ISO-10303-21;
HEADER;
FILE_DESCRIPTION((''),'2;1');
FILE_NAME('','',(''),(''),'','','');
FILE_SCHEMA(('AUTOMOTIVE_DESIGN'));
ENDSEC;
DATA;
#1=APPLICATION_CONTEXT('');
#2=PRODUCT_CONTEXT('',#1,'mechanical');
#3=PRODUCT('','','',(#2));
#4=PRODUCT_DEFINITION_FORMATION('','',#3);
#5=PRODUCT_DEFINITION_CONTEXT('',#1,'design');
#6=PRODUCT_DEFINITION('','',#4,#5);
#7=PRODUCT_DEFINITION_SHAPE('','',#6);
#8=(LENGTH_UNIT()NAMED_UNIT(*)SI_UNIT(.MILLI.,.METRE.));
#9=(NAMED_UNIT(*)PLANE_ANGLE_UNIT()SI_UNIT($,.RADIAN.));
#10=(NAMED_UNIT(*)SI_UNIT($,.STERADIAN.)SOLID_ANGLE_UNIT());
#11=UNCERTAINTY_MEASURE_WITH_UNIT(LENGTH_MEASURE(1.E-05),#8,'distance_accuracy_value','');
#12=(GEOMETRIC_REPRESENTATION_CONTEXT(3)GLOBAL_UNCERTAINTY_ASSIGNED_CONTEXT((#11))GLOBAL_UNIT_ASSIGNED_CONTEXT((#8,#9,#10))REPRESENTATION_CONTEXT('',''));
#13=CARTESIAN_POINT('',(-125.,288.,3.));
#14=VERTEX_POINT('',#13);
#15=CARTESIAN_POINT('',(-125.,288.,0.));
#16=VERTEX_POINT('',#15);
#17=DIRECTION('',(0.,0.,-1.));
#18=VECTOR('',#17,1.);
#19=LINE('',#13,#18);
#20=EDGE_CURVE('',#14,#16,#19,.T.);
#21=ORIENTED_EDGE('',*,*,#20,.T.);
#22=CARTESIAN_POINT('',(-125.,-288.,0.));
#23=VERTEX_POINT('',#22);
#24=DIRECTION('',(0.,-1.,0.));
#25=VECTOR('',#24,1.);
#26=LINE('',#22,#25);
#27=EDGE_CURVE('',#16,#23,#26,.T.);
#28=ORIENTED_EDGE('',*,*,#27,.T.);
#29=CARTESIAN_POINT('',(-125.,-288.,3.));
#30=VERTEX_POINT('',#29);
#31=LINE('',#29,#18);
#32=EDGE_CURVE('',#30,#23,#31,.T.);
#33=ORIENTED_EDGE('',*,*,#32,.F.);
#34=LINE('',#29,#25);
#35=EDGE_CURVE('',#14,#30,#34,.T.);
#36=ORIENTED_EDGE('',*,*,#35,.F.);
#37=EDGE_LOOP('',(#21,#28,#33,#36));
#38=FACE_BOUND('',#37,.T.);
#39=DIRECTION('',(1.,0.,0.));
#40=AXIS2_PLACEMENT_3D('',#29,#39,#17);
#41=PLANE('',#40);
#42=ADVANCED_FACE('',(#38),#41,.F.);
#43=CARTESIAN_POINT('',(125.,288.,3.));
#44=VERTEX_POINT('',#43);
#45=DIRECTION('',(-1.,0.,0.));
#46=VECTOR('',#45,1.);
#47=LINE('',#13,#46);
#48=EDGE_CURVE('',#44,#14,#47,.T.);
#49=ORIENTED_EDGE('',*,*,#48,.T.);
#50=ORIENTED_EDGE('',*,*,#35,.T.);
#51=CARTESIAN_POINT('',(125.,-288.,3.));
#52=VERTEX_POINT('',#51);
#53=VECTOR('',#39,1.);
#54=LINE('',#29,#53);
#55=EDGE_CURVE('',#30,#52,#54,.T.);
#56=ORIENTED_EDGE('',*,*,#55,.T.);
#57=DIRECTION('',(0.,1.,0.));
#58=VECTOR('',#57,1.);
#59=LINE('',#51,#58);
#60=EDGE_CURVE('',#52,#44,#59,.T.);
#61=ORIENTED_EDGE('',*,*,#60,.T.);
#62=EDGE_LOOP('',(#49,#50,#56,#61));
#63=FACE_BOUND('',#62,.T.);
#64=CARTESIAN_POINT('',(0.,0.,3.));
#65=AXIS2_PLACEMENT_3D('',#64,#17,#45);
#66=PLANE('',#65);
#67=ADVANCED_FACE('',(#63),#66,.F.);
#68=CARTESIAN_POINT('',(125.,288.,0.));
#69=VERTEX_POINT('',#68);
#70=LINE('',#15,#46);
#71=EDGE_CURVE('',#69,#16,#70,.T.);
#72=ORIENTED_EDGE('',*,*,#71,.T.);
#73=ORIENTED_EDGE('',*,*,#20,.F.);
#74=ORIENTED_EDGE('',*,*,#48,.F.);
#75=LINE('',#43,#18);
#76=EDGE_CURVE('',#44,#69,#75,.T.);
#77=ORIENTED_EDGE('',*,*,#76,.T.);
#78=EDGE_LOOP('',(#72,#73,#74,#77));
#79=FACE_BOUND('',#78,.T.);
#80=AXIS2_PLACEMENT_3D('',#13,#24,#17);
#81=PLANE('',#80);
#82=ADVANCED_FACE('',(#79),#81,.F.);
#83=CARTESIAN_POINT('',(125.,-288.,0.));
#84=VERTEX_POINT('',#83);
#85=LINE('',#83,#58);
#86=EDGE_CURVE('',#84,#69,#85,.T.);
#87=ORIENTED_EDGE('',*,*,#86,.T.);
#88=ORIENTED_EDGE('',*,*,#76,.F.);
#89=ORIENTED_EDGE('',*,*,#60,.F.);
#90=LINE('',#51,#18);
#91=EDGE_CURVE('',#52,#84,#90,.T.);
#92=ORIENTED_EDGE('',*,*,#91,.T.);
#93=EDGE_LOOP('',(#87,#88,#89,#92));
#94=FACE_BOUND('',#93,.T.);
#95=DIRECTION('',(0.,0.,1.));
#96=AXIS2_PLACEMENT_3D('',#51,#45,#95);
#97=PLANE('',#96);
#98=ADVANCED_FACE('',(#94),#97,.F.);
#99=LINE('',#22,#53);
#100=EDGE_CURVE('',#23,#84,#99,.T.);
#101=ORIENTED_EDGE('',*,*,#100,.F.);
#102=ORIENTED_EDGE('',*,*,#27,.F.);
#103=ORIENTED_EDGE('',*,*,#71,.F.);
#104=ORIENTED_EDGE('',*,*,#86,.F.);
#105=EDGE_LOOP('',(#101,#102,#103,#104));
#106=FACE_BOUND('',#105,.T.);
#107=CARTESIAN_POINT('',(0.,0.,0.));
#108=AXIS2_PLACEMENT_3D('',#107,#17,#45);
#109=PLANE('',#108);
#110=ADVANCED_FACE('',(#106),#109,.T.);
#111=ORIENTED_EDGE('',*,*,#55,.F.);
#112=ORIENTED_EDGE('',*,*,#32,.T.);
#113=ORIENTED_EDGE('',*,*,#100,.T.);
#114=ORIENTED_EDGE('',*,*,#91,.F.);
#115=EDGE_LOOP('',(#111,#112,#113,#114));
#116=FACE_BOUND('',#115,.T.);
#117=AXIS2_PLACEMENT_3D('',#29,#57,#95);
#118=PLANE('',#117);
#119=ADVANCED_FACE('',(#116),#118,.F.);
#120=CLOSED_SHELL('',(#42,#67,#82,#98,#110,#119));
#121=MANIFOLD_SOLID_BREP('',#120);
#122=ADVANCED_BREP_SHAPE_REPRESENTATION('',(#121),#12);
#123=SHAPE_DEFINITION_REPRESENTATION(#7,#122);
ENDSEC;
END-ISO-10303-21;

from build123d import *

# Parameters (mm, degrees)
SKETCH1_W           = 250
SKETCH1_H           = 576
BOSS_EXTRUDE1_DEPTH = 3


with BuildPart() as part:
    # Sketch1 → Boss-Extrude1 (new body)
    with BuildSketch(Plane.XY):
        Rectangle(SKETCH1_W, SKETCH1_H)
    extrude(amount=BOSS_EXTRUDE1_DEPTH)


solid = part.part
